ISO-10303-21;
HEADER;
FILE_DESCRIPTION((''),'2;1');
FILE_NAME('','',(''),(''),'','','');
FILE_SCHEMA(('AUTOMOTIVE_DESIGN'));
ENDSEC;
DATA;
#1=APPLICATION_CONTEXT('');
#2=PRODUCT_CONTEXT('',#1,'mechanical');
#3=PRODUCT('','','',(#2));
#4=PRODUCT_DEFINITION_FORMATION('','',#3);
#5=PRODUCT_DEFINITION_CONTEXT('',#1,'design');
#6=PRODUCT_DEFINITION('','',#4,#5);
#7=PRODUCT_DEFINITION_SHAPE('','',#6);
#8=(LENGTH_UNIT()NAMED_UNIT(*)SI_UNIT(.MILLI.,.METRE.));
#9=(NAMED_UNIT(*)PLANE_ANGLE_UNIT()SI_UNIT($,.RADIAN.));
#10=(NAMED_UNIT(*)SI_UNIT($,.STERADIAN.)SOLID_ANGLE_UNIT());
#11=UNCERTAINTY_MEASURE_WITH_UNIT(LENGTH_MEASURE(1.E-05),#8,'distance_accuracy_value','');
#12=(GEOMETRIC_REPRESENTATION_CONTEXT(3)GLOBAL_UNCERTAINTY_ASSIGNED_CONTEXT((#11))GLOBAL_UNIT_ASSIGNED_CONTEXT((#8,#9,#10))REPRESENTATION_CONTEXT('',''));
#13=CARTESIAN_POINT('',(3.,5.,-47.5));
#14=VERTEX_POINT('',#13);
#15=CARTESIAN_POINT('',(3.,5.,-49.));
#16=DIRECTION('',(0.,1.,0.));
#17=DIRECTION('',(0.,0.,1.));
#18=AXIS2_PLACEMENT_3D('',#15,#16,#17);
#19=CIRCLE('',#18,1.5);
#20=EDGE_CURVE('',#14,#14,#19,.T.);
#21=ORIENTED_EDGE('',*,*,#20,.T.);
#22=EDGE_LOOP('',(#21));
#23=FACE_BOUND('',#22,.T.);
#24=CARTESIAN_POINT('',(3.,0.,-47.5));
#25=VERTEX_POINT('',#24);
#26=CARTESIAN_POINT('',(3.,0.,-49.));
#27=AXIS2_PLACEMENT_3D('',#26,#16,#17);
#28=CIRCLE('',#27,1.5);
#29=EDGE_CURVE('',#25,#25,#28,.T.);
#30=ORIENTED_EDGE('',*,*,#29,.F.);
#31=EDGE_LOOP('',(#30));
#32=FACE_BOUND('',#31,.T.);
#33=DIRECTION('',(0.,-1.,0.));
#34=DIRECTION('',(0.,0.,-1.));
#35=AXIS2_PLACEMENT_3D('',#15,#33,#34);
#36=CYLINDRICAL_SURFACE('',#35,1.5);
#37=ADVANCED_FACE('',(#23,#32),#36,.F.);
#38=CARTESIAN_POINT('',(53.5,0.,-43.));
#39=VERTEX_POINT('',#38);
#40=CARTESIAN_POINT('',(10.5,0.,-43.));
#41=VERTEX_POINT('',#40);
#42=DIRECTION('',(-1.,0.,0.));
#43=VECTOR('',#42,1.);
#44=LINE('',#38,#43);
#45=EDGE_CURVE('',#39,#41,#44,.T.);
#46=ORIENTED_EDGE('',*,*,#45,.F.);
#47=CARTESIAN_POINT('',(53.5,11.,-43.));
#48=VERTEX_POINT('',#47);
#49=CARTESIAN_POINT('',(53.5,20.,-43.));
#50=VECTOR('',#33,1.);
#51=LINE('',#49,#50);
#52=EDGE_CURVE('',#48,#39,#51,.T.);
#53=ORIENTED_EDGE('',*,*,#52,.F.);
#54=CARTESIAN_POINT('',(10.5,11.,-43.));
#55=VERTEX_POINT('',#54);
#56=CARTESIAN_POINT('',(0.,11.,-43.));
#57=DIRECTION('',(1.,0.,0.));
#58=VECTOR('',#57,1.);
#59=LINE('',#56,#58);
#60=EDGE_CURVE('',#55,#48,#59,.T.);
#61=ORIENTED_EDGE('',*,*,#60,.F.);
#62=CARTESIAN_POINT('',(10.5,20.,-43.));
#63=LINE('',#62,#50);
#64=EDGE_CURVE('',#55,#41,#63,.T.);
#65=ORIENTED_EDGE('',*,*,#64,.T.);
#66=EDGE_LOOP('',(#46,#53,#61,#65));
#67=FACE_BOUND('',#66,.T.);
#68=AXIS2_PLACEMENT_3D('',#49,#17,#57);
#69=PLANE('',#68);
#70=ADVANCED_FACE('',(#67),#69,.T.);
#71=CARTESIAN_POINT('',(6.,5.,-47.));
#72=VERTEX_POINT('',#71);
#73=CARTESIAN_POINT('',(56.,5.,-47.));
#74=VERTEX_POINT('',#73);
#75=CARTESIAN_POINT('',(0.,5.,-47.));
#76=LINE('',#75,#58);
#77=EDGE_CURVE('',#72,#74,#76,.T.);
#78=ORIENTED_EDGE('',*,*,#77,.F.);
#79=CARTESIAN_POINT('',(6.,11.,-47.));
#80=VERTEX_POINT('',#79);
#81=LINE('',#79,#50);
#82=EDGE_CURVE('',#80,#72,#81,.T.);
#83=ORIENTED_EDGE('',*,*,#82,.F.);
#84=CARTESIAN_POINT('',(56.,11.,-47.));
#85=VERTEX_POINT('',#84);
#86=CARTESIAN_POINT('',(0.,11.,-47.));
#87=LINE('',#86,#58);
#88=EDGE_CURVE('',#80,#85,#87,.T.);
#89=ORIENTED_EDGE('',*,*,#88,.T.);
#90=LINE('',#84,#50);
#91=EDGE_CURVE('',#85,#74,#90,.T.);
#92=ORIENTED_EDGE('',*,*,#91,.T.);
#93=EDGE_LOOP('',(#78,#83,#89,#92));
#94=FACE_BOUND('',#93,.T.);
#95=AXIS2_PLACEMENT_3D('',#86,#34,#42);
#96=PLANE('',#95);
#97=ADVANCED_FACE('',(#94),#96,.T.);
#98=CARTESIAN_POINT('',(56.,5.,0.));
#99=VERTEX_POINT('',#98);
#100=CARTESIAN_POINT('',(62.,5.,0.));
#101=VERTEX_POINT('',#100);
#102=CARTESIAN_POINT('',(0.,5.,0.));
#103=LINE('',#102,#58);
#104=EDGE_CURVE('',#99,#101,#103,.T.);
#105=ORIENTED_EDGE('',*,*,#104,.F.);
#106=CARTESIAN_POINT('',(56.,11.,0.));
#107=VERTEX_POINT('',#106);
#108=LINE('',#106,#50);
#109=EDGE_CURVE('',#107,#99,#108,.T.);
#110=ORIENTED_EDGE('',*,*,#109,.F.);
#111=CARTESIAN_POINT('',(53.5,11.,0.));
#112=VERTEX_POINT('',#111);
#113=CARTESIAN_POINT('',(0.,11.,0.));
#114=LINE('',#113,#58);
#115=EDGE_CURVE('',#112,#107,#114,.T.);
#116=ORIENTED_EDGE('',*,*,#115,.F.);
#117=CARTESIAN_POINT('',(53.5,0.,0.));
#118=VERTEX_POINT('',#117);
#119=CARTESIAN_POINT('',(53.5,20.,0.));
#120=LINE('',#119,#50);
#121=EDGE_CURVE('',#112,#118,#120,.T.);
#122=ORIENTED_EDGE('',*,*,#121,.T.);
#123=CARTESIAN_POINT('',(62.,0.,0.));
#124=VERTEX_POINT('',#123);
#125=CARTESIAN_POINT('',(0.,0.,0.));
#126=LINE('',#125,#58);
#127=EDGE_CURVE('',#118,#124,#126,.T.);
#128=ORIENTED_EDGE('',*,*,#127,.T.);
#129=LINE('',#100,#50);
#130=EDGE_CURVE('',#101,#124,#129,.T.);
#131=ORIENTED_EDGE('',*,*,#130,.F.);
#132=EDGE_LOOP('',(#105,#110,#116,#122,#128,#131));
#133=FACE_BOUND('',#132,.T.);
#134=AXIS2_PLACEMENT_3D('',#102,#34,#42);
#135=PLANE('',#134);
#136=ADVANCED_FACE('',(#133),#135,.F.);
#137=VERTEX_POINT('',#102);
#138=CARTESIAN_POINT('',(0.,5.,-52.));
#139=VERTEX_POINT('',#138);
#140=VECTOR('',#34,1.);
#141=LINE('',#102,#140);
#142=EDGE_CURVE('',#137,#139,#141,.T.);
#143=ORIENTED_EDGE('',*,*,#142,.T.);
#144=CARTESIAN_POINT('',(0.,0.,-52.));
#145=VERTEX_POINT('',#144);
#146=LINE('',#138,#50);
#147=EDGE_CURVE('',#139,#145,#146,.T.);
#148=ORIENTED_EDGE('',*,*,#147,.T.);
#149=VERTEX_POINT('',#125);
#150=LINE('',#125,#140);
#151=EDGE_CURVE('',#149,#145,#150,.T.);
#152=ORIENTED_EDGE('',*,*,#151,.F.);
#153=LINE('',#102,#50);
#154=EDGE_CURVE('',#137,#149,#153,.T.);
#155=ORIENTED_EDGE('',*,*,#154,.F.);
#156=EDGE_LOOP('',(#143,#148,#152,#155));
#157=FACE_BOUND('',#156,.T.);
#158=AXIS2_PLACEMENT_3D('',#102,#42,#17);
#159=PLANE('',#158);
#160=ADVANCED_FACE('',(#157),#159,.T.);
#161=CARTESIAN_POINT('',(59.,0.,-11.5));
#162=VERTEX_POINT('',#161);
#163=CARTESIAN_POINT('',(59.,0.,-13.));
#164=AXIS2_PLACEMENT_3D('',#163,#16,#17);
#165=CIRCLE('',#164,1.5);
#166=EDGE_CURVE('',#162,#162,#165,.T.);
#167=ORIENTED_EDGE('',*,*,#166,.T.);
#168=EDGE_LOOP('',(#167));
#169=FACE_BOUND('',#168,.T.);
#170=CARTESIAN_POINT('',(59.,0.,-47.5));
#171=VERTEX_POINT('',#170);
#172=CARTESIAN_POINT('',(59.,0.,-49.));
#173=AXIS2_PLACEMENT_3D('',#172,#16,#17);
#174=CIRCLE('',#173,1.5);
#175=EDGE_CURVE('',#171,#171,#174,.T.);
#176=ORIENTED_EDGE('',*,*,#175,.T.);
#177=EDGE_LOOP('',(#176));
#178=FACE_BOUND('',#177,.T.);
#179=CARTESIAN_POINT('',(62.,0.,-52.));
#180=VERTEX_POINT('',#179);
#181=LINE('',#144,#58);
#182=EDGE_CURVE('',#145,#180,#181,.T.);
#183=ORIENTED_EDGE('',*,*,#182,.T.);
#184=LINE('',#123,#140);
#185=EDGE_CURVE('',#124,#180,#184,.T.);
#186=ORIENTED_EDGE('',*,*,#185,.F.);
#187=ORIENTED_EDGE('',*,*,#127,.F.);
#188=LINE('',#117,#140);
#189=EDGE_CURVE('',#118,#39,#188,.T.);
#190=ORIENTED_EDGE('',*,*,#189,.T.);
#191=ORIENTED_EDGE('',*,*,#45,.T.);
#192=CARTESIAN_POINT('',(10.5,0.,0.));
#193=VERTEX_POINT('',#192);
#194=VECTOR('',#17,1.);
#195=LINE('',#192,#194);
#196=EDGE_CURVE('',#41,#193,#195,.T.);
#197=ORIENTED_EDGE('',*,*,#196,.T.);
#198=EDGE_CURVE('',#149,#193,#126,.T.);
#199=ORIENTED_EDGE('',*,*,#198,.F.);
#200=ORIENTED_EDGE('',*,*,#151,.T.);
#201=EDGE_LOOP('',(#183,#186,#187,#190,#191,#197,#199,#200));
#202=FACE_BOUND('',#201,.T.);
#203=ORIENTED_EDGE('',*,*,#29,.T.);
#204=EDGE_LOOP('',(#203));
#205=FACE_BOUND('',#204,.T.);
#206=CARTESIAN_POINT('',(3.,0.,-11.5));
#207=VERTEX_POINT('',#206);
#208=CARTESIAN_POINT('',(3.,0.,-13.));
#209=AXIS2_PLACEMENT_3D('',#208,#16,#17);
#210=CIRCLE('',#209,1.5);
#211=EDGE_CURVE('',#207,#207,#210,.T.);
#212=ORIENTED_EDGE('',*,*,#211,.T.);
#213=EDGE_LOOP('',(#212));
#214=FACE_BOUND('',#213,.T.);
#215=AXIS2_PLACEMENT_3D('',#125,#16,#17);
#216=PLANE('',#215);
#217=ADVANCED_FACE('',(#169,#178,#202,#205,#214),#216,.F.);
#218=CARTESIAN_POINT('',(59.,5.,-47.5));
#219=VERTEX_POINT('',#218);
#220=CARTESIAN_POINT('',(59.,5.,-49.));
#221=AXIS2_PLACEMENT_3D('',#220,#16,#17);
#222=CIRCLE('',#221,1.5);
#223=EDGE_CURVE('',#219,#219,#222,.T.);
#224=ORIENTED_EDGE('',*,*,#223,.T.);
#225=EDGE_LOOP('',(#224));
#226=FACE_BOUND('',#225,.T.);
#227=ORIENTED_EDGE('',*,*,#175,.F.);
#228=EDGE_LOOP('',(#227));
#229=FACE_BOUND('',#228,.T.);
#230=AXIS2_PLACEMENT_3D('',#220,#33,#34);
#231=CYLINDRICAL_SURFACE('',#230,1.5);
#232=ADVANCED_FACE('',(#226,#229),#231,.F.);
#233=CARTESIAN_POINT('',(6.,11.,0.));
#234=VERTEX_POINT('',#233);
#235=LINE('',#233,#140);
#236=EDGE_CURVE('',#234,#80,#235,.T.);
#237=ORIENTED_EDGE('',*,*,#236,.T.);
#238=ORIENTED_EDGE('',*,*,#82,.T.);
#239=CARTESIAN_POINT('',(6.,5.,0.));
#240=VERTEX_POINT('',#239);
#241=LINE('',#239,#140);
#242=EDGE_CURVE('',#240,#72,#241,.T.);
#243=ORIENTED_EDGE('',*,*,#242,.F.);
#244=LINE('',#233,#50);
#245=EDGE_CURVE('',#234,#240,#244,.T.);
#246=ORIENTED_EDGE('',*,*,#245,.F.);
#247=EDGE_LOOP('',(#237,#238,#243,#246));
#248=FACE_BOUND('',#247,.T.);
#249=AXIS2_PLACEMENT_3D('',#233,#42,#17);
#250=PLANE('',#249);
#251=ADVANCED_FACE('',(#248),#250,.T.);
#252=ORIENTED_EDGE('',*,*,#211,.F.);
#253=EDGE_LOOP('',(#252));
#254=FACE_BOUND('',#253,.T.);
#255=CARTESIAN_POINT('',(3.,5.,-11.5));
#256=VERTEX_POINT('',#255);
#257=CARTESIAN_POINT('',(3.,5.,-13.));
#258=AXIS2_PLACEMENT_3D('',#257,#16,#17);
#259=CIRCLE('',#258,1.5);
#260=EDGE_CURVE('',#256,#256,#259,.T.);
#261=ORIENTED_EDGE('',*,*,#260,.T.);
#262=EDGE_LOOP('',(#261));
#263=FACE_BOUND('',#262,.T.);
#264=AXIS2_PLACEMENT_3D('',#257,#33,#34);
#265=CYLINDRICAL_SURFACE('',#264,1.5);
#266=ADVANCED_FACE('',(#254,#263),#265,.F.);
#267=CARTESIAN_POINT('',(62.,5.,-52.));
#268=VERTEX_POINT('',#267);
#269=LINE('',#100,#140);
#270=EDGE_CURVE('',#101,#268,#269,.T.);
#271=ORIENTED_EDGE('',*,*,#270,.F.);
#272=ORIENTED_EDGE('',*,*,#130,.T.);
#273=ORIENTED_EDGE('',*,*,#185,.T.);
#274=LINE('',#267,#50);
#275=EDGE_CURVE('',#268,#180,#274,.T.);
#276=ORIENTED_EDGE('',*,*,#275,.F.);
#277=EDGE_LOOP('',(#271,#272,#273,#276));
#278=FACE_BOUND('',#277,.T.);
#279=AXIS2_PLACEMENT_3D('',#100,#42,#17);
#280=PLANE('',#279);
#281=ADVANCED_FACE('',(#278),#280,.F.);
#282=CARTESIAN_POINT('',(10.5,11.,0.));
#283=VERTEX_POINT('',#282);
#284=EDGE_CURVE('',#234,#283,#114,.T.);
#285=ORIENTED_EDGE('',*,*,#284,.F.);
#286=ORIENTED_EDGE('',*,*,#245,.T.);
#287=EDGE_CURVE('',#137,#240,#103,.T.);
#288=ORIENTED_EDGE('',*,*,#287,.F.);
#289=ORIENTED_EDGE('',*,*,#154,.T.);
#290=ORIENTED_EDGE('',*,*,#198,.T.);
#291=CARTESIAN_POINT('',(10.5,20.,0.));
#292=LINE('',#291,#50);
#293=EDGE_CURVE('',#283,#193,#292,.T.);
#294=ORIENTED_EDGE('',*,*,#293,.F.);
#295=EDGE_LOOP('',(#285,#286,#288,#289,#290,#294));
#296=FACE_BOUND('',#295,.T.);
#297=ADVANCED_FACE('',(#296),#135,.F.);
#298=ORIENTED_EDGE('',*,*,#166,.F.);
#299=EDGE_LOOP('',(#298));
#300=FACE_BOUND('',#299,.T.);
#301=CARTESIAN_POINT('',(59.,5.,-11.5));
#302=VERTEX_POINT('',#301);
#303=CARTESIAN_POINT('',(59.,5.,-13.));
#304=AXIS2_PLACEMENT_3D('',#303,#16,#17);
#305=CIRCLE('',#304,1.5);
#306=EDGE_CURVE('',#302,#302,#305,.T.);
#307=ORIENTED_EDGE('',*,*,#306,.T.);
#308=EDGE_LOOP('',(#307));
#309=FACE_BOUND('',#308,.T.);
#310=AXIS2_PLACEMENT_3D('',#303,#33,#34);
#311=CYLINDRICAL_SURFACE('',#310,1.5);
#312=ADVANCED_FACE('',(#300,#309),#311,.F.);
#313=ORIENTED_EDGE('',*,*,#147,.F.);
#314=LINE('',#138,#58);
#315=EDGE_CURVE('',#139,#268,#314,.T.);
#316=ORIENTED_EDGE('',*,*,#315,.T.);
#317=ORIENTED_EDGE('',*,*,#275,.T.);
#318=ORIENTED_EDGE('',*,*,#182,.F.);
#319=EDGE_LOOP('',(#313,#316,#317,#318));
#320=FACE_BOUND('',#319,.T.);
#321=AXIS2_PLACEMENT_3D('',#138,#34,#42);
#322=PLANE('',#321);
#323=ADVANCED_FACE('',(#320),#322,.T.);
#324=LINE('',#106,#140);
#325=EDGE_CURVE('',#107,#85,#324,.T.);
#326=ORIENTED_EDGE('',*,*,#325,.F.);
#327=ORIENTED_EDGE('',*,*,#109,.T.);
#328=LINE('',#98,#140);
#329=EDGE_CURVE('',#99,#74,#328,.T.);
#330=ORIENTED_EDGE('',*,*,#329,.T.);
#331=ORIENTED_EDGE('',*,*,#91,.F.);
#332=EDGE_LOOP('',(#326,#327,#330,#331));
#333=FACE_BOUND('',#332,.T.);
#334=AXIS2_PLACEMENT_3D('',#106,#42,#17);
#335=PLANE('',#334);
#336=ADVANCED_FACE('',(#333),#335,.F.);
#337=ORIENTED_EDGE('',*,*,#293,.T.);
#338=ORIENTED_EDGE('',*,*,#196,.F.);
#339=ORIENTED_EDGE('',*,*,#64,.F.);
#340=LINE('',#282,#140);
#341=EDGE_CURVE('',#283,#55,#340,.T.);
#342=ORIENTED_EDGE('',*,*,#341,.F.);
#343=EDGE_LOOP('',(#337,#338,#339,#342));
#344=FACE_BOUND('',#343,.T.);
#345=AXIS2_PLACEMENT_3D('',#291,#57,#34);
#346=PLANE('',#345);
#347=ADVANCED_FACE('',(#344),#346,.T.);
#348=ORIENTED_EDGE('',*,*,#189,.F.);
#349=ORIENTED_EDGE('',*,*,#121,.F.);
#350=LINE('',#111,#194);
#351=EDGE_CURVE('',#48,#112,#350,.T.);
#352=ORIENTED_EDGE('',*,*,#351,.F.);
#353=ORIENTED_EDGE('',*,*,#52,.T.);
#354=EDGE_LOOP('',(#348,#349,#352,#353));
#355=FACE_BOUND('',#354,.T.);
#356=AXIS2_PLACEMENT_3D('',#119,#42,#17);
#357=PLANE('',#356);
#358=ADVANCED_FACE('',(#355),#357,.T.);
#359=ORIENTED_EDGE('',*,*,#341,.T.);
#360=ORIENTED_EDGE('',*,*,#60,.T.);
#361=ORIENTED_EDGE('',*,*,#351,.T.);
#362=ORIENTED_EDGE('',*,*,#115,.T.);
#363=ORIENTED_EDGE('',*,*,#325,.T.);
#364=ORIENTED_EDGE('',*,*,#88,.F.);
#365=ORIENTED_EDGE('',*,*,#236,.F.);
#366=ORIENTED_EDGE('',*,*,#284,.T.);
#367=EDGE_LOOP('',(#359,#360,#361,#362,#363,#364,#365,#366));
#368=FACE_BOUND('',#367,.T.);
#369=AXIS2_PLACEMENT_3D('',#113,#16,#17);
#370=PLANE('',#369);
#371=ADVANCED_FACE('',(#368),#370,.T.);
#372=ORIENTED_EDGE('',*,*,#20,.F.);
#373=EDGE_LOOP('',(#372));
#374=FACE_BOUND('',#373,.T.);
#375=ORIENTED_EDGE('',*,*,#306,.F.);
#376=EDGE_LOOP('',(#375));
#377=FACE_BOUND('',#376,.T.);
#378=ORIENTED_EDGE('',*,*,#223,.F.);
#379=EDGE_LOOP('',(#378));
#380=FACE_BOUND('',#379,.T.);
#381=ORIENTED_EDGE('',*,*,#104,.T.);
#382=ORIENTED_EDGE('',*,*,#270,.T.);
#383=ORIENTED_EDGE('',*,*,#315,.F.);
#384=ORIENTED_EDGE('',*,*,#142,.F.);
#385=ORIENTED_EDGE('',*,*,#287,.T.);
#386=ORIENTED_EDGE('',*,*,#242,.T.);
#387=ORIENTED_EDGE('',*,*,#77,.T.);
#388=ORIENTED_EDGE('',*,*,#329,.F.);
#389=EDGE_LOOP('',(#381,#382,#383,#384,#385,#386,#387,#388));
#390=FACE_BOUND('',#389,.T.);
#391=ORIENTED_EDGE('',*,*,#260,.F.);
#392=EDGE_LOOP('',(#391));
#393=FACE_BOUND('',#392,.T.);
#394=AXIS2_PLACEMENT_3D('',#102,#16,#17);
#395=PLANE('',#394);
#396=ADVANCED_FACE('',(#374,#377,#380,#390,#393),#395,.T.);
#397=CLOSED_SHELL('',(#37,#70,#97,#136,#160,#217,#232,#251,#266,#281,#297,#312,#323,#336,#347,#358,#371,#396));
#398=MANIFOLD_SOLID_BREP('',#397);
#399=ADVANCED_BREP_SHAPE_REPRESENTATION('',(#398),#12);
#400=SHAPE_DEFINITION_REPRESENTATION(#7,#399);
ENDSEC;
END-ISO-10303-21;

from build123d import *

# Parameters (mm, degrees)
IZIM1_R                     = 1.5
Y_KSEKLIK_EKSTR_ZYON1_DEPTH = 5
IZIM1_3_W                   = 50
IZIM1_3_H                   = 47
IZIM1_3_R                   = 2
Y_KSEKLIK_EKSTR_ZYON2_DEPTH = 11
IZIM4_W                     = 43
IZIM4_H                     = 43
IZIM4_R                     = 2
KES_EKSTR_ZYON9_DEPTH       = 20


with BuildPart() as part:
    # Çizim1 → Yükseklik-Ekstrüzyon1 (new body)
    with BuildSketch(Plane(origin=(0, 0, 0), x_dir=(1, 0, 0), z_dir=(0, 1, 0))):
        Polygon((0, 52), (0, 0), (6, 0), (6, 47), (56, 47), (56, 0), (62, 0), (62, 52), align=None)
        with Locations((3, 13)):
            Circle(IZIM1_R, mode=Mode.SUBTRACT)
        with Locations((59, 13)):
            Circle(IZIM1_R, mode=Mode.SUBTRACT)
        with Locations((3, 49)):
            Circle(IZIM1_R, mode=Mode.SUBTRACT)
        with Locations((59, 49)):
            Circle(IZIM1_R, mode=Mode.SUBTRACT)
    extrude(amount=Y_KSEKLIK_EKSTR_ZYON1_DEPTH)

    # Çizim1<3> → Yükseklik-Ekstrüzyon2 (add)
    with BuildSketch(Plane(origin=(0, 0, 0), x_dir=(1, 0, 0), z_dir=(0, 1, 0))):
        with Locations((31, 23.5)):
            Rectangle(IZIM1_3_W, IZIM1_3_H)
        with Locations((16.5, 5.5)):
            Circle(IZIM1_3_R, mode=Mode.SUBTRACT)
        with Locations((47.5, 5.5)):
            Circle(IZIM1_3_R, mode=Mode.SUBTRACT)
        with Locations((16.5, 36.5)):
            Circle(IZIM1_3_R, mode=Mode.SUBTRACT)
        with Locations((47.5, 36.5)):
            Circle(IZIM1_3_R, mode=Mode.SUBTRACT)
    extrude(amount=Y_KSEKLIK_EKSTR_ZYON2_DEPTH)

    # Çizim4 → Kes-Ekstrüzyon9 (cut)
    with BuildSketch(Plane(origin=(0, 0, 0), x_dir=(1, 0, 0), z_dir=(0, 1, 0))):
        with Locations((32, 21.5)):
            Rectangle(IZIM4_W, IZIM4_H)
        with Locations((16.5, 36.5)):
            Circle(IZIM4_R, mode=Mode.SUBTRACT)
        with Locations((47.5, 36.5)):
            Circle(IZIM4_R, mode=Mode.SUBTRACT)
        with Locations((47.5, 5.5)):
            Circle(IZIM4_R, mode=Mode.SUBTRACT)
        with Locations((16.5, 5.5)):
            Circle(IZIM4_R, mode=Mode.SUBTRACT)
    extrude(amount=KES_EKSTR_ZYON9_DEPTH, mode=Mode.SUBTRACT)


solid = part.part
